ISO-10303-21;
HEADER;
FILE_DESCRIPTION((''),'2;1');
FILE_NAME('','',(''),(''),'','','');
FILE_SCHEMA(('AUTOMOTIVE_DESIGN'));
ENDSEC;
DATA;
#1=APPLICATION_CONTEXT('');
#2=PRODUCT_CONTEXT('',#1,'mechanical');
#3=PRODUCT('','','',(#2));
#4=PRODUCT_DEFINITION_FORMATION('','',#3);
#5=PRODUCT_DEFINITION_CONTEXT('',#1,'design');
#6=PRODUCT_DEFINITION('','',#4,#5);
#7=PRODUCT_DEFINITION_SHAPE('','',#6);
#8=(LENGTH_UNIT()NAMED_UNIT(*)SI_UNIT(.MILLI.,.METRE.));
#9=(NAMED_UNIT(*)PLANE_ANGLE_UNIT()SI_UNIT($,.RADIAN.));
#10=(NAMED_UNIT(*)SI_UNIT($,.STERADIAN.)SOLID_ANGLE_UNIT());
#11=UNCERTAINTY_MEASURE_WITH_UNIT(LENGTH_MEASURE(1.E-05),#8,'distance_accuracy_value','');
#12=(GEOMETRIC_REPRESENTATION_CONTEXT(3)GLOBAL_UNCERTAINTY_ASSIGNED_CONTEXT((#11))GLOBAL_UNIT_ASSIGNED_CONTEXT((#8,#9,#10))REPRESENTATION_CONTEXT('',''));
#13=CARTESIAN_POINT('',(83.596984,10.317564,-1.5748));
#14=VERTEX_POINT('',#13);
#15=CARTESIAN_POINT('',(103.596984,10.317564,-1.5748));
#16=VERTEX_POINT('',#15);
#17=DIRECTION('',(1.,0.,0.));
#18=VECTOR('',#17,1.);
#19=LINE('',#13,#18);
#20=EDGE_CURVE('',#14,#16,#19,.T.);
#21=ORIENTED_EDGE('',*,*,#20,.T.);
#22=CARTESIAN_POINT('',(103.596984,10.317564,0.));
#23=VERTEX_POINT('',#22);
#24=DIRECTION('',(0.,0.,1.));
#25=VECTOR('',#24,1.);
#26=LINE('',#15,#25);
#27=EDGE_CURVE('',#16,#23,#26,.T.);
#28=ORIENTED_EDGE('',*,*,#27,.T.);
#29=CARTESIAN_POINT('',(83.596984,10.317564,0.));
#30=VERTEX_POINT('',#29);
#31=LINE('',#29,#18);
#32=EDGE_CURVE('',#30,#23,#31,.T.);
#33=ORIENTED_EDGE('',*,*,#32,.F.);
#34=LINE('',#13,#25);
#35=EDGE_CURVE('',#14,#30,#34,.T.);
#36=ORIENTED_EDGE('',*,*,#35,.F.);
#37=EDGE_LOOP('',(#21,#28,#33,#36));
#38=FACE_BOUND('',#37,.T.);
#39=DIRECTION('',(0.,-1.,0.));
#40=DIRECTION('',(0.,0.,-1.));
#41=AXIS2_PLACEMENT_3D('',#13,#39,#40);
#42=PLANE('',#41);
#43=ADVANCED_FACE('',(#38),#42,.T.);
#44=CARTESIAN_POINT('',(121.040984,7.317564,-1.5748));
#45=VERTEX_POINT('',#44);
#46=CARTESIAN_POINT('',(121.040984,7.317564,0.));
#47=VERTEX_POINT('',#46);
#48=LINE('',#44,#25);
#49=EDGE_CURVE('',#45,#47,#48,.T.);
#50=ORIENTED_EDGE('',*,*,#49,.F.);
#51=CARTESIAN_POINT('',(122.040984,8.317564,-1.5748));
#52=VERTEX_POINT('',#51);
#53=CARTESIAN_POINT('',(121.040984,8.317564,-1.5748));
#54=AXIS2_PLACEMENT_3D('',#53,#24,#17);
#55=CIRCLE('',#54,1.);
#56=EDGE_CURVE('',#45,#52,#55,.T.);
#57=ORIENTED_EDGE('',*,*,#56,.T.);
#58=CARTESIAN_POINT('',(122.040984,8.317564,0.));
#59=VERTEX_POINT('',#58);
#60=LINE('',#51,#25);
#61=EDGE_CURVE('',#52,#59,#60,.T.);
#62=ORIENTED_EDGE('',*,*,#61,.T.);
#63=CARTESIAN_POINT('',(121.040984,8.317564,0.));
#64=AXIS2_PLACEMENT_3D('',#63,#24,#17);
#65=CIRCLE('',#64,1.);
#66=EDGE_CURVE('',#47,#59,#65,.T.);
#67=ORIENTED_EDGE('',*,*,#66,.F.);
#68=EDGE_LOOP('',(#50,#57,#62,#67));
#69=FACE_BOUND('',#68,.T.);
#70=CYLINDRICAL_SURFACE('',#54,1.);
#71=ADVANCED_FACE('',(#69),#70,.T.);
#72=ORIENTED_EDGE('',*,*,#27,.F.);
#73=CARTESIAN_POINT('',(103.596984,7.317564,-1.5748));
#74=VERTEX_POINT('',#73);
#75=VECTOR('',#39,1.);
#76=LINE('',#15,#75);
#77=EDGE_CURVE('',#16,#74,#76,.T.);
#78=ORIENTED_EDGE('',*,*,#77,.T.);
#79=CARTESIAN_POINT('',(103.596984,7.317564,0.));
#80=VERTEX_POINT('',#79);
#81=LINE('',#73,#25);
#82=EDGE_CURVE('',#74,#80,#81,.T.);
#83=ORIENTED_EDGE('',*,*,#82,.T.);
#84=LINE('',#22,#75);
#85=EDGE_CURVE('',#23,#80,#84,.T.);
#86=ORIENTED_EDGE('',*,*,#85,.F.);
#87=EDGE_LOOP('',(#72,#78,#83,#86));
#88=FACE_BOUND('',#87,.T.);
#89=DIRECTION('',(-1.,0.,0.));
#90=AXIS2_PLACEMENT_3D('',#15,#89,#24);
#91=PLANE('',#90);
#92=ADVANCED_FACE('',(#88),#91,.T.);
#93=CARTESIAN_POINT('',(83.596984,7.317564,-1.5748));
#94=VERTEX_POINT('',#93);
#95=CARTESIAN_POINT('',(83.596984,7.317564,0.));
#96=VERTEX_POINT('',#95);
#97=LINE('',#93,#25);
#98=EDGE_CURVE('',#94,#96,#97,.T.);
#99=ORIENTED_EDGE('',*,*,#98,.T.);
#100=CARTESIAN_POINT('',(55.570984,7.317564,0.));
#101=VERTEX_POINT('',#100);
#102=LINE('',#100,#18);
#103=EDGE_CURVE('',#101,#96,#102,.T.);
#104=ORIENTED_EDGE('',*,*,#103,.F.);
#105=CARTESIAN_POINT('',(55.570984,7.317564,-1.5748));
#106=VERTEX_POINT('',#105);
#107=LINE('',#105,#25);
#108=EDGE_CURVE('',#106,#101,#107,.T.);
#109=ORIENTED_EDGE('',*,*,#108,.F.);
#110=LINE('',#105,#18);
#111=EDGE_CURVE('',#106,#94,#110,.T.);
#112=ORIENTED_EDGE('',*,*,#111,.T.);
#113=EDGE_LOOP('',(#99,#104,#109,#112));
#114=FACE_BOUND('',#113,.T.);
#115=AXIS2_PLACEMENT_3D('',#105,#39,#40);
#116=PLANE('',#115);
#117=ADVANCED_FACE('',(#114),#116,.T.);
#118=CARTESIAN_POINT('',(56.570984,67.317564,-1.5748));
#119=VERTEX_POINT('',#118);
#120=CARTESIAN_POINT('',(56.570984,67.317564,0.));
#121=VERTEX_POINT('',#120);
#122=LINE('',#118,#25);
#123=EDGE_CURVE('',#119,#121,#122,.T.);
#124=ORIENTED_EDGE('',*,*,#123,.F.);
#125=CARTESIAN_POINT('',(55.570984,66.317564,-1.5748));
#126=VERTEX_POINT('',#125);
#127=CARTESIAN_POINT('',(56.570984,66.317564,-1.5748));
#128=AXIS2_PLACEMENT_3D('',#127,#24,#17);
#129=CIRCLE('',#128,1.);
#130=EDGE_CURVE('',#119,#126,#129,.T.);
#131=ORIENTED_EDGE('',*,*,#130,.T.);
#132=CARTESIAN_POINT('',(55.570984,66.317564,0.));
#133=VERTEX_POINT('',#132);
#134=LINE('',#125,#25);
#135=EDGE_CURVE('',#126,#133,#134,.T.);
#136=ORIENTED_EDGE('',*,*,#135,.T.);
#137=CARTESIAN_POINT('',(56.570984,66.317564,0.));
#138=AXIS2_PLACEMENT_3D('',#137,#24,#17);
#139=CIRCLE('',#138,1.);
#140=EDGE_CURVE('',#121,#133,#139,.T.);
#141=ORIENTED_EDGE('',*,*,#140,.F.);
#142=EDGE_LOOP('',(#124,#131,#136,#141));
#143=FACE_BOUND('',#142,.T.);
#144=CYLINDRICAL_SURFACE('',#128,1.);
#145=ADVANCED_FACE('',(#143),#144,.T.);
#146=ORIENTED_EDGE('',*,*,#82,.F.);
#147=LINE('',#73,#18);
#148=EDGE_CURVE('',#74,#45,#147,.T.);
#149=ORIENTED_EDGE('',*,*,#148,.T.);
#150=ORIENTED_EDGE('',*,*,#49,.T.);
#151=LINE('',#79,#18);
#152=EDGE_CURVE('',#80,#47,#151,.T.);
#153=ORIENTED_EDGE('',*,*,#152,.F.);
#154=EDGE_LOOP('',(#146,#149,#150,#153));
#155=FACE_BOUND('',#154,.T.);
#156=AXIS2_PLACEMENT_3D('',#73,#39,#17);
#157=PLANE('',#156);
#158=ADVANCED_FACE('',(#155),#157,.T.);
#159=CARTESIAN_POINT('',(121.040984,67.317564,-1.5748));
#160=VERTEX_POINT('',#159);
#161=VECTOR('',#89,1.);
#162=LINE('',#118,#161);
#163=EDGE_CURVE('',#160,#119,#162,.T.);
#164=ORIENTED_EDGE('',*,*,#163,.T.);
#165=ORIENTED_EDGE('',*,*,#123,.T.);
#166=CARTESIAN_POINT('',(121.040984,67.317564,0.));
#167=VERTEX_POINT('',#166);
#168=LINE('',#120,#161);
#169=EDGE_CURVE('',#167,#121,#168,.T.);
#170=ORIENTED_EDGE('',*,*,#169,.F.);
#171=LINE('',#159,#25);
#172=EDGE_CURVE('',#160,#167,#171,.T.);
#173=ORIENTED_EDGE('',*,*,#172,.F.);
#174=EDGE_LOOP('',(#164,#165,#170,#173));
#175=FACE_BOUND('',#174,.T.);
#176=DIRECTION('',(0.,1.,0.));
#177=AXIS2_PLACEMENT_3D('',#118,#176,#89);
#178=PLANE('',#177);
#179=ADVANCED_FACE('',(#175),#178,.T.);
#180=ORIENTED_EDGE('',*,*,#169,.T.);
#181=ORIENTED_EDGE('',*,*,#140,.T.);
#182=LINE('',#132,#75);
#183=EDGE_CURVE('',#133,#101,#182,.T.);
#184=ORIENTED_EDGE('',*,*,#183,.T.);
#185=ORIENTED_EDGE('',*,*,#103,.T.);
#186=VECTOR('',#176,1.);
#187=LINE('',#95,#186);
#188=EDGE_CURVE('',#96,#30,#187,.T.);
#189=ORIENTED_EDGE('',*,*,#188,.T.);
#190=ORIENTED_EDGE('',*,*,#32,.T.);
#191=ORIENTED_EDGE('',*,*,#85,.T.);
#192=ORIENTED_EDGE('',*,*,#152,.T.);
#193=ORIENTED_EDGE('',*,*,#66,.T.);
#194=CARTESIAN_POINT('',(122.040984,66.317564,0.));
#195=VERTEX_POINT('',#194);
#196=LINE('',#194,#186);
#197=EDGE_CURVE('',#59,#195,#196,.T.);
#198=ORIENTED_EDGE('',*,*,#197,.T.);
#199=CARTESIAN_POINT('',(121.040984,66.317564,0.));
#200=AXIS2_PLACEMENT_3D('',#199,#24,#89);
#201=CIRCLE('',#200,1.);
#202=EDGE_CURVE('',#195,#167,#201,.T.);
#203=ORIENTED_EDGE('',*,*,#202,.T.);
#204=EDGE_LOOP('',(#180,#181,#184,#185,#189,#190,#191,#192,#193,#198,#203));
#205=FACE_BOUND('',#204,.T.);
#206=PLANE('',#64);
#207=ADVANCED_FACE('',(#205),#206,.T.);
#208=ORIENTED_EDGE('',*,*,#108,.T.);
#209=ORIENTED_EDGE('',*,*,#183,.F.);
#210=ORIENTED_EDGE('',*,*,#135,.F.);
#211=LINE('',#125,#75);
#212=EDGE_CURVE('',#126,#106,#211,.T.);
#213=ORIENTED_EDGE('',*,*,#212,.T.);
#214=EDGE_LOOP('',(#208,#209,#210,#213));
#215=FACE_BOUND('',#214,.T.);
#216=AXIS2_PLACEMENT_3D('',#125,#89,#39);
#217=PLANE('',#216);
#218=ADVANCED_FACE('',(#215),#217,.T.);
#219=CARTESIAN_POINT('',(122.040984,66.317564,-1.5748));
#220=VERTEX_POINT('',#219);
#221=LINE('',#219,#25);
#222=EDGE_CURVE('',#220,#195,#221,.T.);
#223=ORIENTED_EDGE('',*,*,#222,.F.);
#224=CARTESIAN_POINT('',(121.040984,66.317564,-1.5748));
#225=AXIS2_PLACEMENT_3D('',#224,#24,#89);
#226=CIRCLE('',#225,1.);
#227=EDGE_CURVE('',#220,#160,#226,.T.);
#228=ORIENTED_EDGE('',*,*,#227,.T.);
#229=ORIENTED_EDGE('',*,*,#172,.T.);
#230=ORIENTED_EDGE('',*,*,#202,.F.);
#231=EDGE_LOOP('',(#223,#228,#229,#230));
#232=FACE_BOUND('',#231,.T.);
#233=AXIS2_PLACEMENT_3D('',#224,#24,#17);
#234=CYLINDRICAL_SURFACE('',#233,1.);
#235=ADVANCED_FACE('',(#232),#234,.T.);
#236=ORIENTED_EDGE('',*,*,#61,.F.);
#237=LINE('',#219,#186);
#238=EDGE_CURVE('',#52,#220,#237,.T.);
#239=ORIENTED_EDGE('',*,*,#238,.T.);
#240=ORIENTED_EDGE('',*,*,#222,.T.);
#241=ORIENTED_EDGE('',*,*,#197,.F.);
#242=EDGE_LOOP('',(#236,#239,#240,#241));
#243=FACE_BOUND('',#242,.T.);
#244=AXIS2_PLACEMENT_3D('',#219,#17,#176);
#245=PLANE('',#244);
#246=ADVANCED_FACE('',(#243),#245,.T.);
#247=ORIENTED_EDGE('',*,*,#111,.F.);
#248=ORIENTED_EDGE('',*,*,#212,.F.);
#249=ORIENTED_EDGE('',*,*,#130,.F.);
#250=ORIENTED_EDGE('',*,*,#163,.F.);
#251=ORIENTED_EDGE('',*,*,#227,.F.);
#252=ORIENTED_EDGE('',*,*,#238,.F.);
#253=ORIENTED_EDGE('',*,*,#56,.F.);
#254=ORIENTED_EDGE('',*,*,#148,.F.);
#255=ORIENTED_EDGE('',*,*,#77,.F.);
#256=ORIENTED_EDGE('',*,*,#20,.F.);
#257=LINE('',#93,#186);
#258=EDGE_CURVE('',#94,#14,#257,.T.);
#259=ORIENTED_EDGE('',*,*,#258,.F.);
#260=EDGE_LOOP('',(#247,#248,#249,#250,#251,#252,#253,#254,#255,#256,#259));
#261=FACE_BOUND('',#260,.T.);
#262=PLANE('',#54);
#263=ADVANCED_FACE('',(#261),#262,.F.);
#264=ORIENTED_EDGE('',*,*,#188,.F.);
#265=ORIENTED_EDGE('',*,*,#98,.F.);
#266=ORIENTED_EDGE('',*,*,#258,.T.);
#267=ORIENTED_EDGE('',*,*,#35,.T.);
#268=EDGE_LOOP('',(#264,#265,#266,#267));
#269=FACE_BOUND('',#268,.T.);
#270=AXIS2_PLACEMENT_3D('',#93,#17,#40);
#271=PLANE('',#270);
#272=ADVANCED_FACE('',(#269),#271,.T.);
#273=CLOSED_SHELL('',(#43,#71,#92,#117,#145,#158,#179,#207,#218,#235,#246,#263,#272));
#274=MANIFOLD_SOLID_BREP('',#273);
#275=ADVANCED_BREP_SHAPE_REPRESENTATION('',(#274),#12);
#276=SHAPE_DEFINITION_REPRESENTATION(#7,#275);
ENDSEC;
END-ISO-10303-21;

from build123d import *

# Parameters (mm, degrees)
BOSS_EXTRUDE1_DEPTH = 1.5748


with BuildPart() as part:
    # BPR2 PCB Outline → Boss-Extrude1 (new body)
    with BuildSketch(Plane.XY):
        with BuildLine():
            Line((83.596984325, 7.317563979), (83.596984325, 10.317563979))
            Line((83.596984325, 10.317563979), (103.596984325, 10.317563979))
            Line((103.596984325, 10.317563979), (103.596984325, 7.317563979))
            Line((103.596984325, 7.317563979), (121.040984325, 7.317563979))
            ThreePointArc((121.040984325, 7.317563979), (121.748091106, 7.610457198), (122.040984325, 8.317563979))
            Line((122.040984325, 8.317563979), (122.040984325, 66.317563979))
            ThreePointArc((122.040984325, 66.317563979), (121.748091106, 67.02467076), (121.040984325, 67.317563979))
            Line((121.040984325, 67.317563979), (56.570984325, 67.317563979))
            ThreePointArc((56.570984325, 67.317563979), (55.863877543, 67.02467076), (55.570984325, 66.317563979))
            Line((55.570984325, 66.317563979), (55.570984325, 7.317563979))
            Line((55.570984325, 7.317563979), (83.596984325, 7.317563979))
        make_face()
    extrude(amount=-BOSS_EXTRUDE1_DEPTH)


solid = part.part
